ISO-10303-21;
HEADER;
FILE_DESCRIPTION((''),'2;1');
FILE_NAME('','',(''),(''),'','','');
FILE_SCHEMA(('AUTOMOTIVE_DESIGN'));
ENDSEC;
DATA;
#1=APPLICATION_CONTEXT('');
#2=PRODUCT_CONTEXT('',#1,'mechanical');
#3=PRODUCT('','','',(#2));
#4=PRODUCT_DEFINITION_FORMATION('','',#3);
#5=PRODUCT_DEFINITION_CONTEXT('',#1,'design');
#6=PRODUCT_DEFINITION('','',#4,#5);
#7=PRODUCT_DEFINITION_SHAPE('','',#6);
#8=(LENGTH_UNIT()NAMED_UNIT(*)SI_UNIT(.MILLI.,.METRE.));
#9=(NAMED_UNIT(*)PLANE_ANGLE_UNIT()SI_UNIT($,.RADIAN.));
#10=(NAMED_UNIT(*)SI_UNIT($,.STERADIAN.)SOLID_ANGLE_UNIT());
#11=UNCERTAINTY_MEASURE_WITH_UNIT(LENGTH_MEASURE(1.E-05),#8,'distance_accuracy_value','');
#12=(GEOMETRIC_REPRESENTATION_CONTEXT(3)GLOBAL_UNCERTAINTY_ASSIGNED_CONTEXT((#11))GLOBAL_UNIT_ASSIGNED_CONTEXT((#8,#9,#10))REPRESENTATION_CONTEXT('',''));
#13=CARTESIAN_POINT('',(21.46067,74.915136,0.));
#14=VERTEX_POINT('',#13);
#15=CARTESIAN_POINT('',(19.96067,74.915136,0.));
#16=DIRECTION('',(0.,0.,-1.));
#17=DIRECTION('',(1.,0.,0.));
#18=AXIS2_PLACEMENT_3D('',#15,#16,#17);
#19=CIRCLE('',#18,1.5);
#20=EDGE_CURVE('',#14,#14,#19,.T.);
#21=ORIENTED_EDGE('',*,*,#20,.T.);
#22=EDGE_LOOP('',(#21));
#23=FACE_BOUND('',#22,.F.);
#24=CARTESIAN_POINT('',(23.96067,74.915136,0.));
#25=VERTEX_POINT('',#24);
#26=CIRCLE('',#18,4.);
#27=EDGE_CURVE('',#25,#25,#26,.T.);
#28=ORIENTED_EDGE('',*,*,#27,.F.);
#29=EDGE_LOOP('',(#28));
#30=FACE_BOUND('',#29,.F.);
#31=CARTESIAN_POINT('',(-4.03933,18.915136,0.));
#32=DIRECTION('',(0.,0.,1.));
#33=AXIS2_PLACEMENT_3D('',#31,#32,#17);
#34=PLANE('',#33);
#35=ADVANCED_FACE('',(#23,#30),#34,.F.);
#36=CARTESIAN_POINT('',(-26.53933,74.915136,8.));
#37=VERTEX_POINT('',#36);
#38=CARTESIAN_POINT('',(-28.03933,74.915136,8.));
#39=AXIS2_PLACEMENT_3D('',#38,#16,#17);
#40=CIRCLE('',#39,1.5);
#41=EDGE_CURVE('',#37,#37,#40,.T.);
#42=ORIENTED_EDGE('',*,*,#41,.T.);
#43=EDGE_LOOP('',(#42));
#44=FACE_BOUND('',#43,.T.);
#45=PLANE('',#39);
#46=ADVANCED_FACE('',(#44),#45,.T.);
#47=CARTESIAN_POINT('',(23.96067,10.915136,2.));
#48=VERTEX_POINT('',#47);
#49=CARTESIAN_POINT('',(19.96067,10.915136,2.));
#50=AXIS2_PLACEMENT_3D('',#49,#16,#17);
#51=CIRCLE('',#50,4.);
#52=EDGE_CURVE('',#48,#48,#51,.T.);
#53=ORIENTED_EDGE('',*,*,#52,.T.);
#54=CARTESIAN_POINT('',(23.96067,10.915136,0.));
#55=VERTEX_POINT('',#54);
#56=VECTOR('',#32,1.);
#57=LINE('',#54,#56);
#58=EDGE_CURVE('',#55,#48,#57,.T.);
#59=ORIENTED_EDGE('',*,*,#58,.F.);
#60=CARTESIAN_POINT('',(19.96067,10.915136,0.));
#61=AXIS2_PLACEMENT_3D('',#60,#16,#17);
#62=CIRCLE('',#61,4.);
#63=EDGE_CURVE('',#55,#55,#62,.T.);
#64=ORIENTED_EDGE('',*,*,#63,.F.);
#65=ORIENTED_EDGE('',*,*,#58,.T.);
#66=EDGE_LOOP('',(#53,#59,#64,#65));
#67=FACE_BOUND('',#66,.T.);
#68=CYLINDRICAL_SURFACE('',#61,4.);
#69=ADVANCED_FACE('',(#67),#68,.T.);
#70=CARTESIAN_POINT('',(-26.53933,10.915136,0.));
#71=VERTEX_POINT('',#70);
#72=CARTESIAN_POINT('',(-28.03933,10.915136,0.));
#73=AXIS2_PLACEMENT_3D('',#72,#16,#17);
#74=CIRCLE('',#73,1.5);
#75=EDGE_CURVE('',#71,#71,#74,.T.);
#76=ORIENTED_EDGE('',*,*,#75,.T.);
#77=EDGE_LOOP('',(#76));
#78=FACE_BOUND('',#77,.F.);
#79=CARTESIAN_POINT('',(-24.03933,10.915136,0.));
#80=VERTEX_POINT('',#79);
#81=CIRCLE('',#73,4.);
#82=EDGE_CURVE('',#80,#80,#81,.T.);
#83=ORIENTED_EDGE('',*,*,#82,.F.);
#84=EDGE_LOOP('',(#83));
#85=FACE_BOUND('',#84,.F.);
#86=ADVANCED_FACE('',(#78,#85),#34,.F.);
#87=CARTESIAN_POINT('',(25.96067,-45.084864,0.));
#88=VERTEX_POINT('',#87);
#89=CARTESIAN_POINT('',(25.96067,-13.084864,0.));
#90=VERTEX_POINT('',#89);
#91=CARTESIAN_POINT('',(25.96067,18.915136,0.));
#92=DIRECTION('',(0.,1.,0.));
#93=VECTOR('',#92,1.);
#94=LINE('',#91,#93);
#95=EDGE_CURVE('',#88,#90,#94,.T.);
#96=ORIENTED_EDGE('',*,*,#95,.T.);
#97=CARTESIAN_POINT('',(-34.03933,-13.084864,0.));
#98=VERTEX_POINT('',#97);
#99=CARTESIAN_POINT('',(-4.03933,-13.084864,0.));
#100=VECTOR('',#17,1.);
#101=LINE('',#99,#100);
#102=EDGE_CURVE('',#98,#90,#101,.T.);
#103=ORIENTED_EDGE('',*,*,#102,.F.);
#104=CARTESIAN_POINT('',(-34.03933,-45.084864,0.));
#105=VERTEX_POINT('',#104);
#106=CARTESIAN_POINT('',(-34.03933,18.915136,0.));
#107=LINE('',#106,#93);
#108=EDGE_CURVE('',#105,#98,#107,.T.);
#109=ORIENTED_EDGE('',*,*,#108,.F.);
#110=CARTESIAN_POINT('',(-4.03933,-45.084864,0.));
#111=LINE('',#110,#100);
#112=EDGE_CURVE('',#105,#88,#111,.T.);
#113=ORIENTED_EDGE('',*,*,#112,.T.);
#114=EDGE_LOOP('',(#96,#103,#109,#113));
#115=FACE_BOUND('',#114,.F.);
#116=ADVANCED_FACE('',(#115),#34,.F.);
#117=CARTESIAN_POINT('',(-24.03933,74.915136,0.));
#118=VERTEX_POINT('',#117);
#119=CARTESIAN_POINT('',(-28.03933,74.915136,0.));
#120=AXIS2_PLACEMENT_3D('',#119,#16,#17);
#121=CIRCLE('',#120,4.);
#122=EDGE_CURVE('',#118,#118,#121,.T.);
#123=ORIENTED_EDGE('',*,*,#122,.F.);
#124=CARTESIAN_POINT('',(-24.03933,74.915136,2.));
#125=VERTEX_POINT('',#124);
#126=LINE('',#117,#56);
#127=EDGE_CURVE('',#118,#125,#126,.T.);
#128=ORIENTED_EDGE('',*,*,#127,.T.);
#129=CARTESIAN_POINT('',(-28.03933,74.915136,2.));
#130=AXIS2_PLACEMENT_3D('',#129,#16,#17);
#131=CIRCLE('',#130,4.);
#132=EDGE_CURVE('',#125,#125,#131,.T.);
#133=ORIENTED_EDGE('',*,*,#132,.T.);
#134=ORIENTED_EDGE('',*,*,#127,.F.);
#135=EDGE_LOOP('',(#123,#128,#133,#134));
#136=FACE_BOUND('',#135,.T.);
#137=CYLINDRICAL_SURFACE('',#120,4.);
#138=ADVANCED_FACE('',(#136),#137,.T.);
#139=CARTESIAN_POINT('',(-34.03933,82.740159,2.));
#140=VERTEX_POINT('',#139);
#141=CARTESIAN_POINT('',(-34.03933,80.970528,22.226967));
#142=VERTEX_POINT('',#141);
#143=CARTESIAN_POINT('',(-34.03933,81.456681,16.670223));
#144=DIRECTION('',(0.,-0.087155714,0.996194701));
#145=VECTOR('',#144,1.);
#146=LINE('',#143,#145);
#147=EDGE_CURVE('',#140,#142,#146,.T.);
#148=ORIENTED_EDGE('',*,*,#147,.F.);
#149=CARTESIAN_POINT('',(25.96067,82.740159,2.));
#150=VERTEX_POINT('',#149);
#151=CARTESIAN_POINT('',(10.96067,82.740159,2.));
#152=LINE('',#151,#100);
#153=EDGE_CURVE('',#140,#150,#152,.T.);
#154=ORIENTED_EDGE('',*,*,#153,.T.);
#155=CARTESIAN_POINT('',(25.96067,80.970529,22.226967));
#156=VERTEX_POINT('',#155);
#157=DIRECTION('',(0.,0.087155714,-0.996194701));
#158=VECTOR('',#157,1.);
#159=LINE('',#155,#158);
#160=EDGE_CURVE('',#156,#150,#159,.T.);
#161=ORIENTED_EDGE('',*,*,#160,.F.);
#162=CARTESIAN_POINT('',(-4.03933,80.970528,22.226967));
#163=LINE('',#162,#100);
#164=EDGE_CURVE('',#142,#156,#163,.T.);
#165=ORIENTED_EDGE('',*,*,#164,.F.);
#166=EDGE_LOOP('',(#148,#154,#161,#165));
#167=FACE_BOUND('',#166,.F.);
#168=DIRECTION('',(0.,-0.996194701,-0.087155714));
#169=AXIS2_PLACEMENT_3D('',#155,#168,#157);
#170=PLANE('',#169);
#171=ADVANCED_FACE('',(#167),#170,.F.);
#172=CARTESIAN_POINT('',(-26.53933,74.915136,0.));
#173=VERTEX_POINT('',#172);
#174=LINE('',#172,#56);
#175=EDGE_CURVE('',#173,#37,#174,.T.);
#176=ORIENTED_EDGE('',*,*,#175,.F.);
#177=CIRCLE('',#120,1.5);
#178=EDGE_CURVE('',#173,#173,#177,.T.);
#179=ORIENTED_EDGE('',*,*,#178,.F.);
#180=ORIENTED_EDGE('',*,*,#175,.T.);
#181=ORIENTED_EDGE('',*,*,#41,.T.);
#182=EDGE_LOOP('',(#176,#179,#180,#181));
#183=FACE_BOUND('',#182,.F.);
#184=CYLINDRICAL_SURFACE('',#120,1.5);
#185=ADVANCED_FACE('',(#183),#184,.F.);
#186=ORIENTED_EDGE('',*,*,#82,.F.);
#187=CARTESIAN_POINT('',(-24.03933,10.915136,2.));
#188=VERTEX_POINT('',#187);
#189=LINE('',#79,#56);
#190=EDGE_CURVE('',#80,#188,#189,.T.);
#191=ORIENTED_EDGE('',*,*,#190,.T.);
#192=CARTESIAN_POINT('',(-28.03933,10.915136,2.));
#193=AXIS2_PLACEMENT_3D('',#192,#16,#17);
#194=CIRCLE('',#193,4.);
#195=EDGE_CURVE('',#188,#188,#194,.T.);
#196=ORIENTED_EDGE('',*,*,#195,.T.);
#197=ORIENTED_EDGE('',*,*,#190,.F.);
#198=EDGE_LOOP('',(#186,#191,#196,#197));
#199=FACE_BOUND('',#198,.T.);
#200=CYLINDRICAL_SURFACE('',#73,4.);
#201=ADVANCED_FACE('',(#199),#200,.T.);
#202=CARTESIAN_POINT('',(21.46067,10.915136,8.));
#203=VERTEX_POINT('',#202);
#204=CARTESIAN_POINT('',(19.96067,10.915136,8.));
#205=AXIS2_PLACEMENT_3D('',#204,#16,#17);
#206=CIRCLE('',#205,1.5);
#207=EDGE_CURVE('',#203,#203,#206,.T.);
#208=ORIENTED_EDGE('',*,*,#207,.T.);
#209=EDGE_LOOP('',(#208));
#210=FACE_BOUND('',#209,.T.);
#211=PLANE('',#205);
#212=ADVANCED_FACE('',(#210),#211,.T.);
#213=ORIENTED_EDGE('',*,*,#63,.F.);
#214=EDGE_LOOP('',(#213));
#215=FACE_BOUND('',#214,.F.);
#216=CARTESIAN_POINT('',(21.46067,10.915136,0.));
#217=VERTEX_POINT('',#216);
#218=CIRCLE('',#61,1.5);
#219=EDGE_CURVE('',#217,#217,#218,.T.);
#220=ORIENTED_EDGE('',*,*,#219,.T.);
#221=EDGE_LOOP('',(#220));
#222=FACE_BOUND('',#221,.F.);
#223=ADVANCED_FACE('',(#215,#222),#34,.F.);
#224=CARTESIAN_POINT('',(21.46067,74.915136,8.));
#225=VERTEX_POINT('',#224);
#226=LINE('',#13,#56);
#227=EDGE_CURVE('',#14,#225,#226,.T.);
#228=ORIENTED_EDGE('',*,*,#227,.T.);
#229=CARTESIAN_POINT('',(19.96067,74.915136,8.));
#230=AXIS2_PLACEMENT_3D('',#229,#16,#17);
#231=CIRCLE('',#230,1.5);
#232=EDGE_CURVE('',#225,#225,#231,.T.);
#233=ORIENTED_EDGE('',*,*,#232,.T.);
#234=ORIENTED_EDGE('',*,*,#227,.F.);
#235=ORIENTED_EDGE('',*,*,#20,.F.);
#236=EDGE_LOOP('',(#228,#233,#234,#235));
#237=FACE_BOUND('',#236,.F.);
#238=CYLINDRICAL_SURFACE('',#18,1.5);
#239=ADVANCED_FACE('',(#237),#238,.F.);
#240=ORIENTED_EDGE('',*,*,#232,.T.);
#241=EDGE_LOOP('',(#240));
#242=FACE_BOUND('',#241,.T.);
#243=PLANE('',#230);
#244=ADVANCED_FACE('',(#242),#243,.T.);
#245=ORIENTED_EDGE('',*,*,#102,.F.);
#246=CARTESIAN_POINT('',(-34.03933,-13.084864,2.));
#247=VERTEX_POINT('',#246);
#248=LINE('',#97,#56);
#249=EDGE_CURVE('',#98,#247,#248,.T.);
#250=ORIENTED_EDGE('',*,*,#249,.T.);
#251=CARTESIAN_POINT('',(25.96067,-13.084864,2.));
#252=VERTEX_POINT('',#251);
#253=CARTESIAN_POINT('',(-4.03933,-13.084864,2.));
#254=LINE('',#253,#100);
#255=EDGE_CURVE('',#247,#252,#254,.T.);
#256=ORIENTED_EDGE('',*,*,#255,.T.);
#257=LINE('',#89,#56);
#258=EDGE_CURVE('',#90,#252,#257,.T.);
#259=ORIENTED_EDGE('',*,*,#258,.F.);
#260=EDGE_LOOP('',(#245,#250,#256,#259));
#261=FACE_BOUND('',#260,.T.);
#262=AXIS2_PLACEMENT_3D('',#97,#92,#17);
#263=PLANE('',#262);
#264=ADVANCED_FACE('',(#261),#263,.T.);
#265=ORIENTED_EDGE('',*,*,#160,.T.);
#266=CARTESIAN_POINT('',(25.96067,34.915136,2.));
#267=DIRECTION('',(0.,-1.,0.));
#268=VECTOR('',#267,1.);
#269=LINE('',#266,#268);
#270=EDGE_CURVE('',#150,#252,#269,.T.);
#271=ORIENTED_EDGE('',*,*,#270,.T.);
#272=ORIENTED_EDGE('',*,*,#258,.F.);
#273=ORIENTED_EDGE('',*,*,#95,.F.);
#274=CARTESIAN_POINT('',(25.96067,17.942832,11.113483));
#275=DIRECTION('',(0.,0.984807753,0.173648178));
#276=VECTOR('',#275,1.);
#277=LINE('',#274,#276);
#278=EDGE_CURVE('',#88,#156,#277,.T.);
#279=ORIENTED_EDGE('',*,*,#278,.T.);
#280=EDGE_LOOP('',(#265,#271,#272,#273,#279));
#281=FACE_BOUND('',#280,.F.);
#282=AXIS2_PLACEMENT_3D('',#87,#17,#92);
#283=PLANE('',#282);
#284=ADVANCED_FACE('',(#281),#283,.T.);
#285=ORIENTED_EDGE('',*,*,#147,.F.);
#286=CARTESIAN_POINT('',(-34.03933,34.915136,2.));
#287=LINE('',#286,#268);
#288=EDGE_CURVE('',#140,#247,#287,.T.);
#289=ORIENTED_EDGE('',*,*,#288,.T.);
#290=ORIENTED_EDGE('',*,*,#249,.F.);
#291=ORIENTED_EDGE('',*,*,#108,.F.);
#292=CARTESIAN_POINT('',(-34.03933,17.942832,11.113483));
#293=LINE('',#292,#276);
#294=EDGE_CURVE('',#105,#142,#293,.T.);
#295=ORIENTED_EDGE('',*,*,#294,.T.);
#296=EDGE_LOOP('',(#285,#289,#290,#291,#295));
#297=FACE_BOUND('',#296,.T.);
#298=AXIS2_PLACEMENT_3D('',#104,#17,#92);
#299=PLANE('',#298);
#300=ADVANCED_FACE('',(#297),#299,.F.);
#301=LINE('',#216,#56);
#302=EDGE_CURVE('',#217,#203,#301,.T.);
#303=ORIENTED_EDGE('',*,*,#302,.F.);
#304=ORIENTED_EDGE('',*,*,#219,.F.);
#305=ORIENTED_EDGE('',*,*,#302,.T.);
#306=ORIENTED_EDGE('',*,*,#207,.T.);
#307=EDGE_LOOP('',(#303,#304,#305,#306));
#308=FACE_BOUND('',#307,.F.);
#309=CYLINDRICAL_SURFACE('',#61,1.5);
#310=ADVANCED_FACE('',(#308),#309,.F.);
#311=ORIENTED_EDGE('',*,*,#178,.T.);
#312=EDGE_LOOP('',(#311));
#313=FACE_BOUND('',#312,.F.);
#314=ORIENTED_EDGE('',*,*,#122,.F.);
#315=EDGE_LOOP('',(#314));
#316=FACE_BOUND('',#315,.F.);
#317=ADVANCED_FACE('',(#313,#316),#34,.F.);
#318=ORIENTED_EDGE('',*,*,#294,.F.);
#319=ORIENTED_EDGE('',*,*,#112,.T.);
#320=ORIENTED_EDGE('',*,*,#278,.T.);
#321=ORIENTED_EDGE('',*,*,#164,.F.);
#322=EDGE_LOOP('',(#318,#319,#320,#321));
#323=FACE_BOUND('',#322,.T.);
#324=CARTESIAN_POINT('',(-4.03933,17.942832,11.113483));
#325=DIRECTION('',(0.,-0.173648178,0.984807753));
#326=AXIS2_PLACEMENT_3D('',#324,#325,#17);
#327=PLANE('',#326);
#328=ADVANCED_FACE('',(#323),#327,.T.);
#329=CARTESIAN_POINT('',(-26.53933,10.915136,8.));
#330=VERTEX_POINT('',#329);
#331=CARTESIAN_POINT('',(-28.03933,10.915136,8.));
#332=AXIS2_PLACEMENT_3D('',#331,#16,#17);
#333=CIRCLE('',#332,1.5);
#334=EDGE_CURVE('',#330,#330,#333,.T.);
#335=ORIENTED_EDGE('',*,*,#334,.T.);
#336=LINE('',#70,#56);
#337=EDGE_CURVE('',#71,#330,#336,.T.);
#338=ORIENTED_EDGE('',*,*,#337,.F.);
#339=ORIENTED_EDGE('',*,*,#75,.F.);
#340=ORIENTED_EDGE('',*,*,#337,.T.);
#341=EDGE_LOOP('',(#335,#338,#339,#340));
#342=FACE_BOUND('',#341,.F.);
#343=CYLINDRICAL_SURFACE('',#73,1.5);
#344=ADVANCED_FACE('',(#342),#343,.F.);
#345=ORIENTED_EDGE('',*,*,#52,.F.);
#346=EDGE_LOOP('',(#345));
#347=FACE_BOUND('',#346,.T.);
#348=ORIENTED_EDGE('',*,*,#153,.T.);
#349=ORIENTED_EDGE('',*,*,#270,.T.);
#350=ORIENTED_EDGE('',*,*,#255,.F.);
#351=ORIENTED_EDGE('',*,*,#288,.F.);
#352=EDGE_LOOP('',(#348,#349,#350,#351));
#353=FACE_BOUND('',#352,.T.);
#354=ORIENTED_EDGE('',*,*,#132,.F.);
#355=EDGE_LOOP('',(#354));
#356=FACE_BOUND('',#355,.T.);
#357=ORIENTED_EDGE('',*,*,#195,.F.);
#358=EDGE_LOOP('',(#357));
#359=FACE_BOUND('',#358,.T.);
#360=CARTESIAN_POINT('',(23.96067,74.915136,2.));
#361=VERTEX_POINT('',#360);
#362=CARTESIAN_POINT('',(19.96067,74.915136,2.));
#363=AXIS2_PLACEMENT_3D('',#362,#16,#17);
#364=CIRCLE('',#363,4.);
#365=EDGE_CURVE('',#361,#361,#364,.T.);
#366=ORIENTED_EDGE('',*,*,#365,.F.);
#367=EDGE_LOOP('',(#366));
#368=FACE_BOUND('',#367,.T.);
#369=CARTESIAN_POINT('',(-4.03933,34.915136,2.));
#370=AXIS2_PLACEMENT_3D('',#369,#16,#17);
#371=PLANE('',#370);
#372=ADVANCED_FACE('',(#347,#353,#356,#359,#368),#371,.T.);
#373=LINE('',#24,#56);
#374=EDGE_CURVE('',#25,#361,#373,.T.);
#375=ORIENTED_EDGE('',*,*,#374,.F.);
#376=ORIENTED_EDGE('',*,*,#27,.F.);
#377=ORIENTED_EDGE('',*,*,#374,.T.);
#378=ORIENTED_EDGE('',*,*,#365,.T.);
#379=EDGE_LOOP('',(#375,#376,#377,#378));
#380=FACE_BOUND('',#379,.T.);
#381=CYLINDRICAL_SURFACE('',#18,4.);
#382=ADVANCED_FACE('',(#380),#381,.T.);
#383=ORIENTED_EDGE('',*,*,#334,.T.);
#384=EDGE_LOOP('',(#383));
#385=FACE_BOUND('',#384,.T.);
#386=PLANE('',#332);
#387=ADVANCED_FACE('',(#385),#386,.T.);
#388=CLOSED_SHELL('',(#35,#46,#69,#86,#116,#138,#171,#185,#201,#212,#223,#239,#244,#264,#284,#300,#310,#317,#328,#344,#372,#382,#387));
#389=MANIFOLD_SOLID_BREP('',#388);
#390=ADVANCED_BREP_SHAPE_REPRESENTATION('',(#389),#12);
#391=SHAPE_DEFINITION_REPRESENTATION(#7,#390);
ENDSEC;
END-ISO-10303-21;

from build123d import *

# Parameters (mm, degrees)
F0_W     = 60
F0_H     = 128
F1_ANGLE = 10
F3_DEPTH = 60.001
F4_W     = 60
F4_H     = 96
F4_R     = 4
F5_DEPTH = 2
F4_R_2   = 1.5
F6_DEPTH = 8


with BuildPart() as f1:
    # F0 (on Top) → F1 (revolve)
    with BuildSketch(Plane.XY):
        with Locations((-4.03933, 18.915136)):
            Rectangle(F0_W, F0_H)
    revolve(axis=Axis((-4.03933, -45.084864, 0), (1, 0, 0)), revolution_arc=F1_ANGLE)

    # F2 (on face) → F3 (cut, through all)
    with BuildSketch(Plane.YZ.offset(25.96067)):
        with BuildLine():
            Line((80.970529, 22.226967), (82.915136, 0))
            ThreePointArc((82.915136, 0), (82.428058, 11.155935), (80.970529, 22.226967))
        make_face()
    extrude(amount=-F3_DEPTH, mode=Mode.SUBTRACT)

    # F4 (on face) → F5 (cut)
    with BuildSketch(Plane(origin=(0, 0, 0), x_dir=(1, 0, 0), z_dir=(0, 0, -1))):
        with Locations((-4.03933, -34.915136)):
            Rectangle(F4_W, F4_H)
        with Locations((-28.03933, -74.915136)):
            Circle(F4_R, mode=Mode.SUBTRACT)
        with Locations((19.96067, -74.915136)):
            Circle(F4_R, mode=Mode.SUBTRACT)
        with Locations((-28.03933, -10.915136)):
            Circle(F4_R, mode=Mode.SUBTRACT)
        with Locations((19.96067, -10.915136)):
            Circle(F4_R, mode=Mode.SUBTRACT)
    extrude(amount=-F5_DEPTH, mode=Mode.SUBTRACT)

    # F4 (on face) → F6 (cut)
    with BuildSketch(Plane(origin=(0, 0, 0), x_dir=(1, 0, 0), z_dir=(0, 0, -1))):
        with Locations((-28.03933, -10.915136)):
            Circle(F4_R_2)
        with Locations((19.96067, -10.915136)):
            Circle(F4_R_2)
        with Locations((19.96067, -74.915136)):
            Circle(F4_R_2)
        with Locations((-28.03933, -74.915136)):
            Circle(F4_R_2)
    extrude(amount=-F6_DEPTH, mode=Mode.SUBTRACT)


solid = f1.part
